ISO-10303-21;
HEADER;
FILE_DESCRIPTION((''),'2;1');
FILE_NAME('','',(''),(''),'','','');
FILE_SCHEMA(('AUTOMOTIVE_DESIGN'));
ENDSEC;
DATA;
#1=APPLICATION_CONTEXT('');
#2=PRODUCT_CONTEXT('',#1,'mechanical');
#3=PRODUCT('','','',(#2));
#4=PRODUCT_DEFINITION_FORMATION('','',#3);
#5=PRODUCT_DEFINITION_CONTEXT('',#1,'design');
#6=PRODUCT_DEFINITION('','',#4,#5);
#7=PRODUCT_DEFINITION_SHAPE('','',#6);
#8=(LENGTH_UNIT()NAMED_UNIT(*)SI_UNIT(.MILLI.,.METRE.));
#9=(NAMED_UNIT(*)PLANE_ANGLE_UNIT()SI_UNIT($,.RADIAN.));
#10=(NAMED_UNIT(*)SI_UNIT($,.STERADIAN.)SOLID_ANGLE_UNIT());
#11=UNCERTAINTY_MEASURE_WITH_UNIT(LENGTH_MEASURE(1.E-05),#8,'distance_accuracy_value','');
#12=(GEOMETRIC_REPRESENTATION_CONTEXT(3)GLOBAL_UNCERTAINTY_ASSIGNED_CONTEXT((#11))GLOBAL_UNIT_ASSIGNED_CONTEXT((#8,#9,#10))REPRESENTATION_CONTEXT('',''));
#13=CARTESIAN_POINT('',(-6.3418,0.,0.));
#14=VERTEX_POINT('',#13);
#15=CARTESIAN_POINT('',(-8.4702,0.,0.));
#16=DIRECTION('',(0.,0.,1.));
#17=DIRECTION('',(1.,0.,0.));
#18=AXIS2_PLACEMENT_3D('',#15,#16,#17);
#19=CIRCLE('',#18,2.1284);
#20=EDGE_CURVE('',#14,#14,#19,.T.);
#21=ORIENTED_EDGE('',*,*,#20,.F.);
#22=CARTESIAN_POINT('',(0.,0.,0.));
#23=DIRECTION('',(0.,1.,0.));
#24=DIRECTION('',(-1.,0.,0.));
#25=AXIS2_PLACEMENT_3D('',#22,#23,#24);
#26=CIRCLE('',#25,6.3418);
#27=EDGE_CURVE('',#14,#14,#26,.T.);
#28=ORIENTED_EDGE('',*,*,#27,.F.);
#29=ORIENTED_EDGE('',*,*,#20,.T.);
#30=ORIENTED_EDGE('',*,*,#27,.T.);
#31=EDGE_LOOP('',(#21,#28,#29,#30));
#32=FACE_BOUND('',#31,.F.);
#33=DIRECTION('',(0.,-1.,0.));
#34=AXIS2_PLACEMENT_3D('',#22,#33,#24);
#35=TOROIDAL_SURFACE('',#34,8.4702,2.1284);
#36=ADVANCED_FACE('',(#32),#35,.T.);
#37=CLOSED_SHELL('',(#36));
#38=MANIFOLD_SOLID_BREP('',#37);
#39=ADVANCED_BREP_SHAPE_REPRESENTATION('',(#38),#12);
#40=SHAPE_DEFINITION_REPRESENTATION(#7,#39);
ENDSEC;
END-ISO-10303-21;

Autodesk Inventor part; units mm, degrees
ref_plane "YZ Plane" through (0, 0, 0) normal (1, 0, 0) x (0, 1, 0)
ref_plane "XZ Plane" through (0, 0, 0) normal (0, 1, 0) x (-1, 0, 0)
ref_plane "XY Plane" through (0, 0, 0) normal (0, 0, 1) x (1, 0, 0)
sketch "Sketch2" plane through (0, 0, 0) normal (0, 0, 1) x (1, 0, 0)
  circle A0 centre (-8.4702, 0) radius 2.1284
  line L0 (0, -2.9798) -> (0, 2.9798) projected
  point P0 (0, 0)
  dimension "d0" = 90
revolve "Revolution1" add sketch "Sketch2" angle 360 about axis through (0, -10, 0) along (0, 1, 0)
properties part number "pulley_guide"
